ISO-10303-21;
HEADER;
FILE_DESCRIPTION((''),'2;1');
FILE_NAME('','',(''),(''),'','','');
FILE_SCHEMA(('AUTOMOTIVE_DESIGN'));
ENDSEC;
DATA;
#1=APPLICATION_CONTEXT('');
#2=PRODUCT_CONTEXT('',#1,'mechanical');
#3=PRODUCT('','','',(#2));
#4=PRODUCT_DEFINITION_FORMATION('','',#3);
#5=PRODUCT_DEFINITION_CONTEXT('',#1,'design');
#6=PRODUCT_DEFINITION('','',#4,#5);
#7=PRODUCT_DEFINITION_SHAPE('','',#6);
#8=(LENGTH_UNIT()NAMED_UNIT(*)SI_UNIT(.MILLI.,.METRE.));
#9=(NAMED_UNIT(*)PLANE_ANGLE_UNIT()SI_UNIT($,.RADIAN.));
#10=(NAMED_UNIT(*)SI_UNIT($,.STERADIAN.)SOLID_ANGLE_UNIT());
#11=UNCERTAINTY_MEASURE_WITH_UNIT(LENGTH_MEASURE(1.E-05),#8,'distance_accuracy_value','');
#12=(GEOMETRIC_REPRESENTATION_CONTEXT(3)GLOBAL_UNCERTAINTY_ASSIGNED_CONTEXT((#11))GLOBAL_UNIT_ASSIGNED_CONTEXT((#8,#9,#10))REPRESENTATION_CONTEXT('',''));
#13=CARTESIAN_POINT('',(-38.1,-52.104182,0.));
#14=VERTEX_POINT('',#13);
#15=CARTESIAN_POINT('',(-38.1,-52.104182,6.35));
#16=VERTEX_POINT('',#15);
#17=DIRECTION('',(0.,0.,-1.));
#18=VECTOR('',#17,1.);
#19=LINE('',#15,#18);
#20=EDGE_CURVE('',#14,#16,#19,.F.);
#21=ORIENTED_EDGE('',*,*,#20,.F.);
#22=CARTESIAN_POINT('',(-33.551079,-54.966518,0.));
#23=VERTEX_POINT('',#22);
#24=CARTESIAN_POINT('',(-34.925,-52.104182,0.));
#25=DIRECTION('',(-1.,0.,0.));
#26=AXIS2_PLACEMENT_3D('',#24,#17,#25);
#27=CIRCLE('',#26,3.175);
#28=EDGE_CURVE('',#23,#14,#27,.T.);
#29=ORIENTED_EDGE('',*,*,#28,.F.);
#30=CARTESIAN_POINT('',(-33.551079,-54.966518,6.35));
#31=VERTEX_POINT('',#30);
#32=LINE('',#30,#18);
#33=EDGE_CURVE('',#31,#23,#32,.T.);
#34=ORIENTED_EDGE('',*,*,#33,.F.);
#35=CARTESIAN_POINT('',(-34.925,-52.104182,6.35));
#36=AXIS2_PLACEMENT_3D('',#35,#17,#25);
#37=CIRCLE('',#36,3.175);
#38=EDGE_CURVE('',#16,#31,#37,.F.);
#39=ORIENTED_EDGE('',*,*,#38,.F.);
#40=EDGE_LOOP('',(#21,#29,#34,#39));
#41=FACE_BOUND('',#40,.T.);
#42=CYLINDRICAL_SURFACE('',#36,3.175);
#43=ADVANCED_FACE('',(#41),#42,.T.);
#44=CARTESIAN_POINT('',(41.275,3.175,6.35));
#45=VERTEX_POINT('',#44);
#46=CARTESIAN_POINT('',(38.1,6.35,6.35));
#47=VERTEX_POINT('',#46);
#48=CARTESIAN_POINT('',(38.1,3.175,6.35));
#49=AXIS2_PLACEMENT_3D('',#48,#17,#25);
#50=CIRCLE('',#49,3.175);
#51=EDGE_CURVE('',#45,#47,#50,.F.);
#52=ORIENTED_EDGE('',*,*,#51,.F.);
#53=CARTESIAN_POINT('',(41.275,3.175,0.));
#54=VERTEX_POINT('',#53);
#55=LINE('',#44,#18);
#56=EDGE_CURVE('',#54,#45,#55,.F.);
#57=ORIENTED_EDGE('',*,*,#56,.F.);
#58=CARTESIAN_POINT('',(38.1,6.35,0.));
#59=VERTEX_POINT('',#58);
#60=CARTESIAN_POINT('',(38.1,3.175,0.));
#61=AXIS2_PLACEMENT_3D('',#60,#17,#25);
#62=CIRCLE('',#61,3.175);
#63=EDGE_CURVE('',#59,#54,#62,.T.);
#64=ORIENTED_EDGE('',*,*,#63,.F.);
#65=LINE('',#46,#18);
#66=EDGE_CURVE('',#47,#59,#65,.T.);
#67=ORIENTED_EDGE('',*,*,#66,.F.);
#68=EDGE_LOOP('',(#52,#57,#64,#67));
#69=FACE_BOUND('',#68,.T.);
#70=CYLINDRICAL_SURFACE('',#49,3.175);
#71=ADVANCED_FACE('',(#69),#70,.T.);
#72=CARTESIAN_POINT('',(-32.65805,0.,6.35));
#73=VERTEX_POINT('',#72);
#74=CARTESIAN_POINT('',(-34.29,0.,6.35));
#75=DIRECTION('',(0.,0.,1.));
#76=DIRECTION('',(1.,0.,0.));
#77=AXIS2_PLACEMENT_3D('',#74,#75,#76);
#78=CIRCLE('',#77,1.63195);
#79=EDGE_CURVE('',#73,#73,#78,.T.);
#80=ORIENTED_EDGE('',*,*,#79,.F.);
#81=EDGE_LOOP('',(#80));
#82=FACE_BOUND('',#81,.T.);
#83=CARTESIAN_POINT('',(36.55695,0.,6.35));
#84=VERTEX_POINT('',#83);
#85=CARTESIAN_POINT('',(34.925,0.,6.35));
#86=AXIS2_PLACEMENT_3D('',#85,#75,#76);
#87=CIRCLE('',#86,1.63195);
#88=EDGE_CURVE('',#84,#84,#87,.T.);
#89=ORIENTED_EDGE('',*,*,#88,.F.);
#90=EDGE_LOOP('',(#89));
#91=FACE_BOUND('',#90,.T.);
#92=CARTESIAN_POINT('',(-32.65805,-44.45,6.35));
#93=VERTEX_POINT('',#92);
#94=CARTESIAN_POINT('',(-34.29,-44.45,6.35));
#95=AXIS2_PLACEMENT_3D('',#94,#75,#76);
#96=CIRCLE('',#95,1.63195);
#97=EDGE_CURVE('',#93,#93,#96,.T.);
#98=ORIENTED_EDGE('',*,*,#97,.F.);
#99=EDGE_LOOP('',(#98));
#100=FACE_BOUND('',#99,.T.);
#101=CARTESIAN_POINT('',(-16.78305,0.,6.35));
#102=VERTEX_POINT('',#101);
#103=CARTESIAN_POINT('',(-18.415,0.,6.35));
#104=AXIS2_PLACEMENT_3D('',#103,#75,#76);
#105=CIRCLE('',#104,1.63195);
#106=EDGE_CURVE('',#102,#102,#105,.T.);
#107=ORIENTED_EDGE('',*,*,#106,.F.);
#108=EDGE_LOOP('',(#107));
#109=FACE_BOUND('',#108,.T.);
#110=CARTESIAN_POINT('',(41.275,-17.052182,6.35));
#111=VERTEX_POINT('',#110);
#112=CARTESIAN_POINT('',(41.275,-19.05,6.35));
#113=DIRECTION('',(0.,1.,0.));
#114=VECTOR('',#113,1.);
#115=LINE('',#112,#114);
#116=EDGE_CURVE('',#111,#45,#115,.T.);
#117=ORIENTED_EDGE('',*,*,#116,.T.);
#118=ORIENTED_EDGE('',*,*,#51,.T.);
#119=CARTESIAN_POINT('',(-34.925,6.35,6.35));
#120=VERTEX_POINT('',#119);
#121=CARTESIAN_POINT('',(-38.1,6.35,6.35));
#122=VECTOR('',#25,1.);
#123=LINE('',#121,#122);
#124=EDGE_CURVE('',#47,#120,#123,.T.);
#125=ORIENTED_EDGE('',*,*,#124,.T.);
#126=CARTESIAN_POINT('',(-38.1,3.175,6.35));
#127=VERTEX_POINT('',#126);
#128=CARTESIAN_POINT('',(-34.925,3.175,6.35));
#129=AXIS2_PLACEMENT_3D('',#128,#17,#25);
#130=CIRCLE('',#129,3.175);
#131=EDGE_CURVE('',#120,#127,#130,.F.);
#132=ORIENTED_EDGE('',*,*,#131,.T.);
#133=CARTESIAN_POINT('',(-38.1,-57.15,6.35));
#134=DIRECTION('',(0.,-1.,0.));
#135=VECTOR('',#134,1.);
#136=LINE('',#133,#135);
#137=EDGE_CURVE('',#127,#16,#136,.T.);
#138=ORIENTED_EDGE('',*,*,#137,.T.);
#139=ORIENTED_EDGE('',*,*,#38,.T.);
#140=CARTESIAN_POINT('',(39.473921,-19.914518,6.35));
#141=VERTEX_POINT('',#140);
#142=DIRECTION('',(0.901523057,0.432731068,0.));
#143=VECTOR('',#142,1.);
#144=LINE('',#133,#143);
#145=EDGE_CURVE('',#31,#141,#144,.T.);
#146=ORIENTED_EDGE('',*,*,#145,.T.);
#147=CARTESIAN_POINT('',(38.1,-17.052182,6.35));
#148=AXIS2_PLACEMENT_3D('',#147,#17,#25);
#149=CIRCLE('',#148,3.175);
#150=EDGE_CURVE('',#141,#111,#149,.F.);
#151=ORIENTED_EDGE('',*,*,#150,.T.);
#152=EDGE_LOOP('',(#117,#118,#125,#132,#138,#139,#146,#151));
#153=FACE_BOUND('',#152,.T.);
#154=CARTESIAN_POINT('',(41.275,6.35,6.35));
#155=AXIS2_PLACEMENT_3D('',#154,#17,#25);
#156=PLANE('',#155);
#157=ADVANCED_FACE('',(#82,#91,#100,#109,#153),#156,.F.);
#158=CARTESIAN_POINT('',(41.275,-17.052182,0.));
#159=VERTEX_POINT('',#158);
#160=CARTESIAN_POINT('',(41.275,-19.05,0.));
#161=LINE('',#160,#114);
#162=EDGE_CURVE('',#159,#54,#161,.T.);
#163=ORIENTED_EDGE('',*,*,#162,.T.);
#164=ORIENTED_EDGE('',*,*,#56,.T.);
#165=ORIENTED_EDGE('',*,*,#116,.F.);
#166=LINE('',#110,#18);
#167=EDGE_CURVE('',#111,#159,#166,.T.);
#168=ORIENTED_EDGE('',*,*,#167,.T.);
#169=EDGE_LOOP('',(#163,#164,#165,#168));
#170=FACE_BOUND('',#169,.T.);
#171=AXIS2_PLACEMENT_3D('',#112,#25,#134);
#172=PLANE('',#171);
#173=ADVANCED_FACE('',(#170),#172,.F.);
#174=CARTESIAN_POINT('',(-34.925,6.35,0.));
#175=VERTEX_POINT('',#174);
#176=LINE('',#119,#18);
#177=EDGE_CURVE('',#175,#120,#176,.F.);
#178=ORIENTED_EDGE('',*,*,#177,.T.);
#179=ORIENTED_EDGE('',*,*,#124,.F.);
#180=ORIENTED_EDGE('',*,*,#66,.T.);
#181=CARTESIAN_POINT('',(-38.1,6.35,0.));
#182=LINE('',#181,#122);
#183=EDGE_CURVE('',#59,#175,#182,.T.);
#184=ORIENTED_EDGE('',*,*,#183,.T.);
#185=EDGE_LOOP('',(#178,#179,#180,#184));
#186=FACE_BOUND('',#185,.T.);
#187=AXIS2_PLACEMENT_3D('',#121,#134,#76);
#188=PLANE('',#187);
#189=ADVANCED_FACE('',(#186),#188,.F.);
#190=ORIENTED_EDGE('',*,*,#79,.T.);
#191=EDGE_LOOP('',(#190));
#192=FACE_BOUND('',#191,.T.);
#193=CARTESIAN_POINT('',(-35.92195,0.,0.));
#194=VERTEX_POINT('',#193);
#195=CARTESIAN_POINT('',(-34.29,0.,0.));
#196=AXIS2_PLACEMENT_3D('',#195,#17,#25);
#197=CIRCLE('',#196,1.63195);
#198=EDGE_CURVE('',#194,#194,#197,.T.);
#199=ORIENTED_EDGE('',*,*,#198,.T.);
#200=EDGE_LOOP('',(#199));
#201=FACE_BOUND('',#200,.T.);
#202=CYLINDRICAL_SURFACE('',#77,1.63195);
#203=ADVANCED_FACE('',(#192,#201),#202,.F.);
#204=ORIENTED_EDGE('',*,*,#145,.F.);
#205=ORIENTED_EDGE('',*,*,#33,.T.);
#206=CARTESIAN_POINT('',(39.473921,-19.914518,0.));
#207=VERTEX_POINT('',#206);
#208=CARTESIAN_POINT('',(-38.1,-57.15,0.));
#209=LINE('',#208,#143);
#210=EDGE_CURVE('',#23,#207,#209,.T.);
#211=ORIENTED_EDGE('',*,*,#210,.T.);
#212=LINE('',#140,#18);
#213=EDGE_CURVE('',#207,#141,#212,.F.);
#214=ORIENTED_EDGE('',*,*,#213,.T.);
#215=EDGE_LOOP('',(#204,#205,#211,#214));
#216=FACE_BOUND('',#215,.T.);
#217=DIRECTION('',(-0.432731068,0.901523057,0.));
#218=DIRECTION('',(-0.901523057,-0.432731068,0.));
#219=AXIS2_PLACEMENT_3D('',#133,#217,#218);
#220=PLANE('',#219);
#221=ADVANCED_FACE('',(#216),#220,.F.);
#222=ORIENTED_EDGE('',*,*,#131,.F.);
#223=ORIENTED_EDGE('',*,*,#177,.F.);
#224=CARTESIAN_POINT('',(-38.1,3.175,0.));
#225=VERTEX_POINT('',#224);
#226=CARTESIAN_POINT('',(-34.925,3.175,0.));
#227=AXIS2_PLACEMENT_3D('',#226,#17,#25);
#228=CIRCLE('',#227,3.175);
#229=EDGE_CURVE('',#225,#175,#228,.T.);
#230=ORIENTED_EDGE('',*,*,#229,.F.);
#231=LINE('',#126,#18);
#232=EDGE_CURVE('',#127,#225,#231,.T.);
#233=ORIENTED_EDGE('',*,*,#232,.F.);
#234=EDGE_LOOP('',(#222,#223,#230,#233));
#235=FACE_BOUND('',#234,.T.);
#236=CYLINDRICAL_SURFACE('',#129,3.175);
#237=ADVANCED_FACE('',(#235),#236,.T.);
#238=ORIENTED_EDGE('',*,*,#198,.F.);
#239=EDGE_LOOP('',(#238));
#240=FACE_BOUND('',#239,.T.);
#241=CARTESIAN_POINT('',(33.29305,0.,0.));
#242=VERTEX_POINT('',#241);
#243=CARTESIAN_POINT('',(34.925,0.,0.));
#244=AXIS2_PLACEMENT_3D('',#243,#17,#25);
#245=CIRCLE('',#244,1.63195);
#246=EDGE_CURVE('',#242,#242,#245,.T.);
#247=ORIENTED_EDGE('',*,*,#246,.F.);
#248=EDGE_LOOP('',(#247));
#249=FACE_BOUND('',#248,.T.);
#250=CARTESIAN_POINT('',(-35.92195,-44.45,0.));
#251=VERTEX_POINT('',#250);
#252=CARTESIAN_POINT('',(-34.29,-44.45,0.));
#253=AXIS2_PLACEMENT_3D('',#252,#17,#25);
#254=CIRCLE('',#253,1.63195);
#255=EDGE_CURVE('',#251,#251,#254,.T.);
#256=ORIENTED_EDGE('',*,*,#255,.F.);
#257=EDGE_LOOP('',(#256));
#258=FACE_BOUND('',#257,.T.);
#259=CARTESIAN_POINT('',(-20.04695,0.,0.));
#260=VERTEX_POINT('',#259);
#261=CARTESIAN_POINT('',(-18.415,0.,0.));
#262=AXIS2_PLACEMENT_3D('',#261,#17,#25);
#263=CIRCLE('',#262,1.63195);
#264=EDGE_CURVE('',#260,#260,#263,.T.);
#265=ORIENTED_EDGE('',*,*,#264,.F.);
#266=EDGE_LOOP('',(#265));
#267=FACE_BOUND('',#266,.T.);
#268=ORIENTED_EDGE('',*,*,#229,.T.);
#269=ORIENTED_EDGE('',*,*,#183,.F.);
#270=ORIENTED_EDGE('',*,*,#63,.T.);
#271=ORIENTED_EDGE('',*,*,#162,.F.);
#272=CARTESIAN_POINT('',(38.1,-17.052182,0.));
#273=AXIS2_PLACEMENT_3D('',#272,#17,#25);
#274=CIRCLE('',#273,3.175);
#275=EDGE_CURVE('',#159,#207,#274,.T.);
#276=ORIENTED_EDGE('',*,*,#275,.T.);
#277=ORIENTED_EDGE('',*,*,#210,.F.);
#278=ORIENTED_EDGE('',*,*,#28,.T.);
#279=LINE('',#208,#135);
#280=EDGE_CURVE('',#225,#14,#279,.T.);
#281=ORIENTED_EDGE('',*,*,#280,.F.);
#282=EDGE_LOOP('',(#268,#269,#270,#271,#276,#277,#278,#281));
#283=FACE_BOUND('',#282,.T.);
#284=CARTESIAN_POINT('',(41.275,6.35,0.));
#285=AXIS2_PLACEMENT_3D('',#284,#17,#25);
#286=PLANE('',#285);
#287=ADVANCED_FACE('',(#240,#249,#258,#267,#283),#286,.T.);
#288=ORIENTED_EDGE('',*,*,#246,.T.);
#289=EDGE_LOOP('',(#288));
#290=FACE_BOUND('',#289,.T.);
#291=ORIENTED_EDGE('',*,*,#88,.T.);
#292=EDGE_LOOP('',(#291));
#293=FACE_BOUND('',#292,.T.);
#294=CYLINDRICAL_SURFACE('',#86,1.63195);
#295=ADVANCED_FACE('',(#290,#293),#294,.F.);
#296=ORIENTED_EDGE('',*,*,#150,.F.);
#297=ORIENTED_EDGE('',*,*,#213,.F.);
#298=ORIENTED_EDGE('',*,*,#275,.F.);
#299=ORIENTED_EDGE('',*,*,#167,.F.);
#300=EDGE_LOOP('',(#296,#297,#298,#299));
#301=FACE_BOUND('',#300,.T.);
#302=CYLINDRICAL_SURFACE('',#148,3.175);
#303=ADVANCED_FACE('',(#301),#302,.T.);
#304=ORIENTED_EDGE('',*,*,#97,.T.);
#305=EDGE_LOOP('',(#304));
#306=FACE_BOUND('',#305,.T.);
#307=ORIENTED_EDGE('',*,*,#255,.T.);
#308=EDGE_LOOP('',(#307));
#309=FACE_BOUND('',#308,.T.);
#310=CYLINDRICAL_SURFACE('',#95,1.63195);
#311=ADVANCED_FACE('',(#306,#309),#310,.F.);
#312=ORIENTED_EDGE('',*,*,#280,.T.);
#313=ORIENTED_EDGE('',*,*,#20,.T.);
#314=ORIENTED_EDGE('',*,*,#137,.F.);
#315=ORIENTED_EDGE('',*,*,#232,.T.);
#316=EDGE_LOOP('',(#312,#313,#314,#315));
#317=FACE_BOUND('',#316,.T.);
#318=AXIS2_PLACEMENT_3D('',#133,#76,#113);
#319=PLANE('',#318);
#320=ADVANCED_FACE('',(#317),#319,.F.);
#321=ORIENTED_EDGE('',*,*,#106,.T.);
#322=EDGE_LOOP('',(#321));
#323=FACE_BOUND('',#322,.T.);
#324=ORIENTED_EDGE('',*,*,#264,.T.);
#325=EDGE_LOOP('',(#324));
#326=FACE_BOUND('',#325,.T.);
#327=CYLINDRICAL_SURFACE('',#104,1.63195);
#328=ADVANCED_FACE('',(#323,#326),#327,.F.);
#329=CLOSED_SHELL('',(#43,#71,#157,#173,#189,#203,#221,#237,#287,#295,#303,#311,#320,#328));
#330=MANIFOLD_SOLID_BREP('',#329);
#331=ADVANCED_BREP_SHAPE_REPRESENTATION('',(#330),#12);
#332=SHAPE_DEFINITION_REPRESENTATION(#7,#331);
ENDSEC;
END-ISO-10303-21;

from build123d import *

# Parameters (mm, degrees)
BOSS_EXTRUDE1_DEPTH       = 6.35
F_4_CLEARANCE_HOLE1_D     = 3.2639
F_4_CLEARANCE_HOLE1_DEPTH = 12.7
F_4_CLEARANCE_HOLE1_TIP   = 0.980574487
FILLET1_R                 = 3.175


with BuildPart() as part:
    # Sketch1 → Boss-Extrude1 (new body)
    with BuildSketch(Plane.XY):
        Polygon((-38.1, -57.15), (41.275, -19.05), (41.275, 6.35), (-38.1, 6.35), align=None)
    extrude(amount=BOSS_EXTRUDE1_DEPTH)

    # #4 Clearance Hole1
    with Locations(Plane.XY.offset(6.35)):
        with Locations((-34.29, 0), (-18.415, 0), (34.925, 0), (-34.29, -44.45)):
            Hole(F_4_CLEARANCE_HOLE1_D / 2, depth=F_4_CLEARANCE_HOLE1_DEPTH)
            with Locations((0, 0, -(F_4_CLEARANCE_HOLE1_DEPTH + F_4_CLEARANCE_HOLE1_TIP / 2))):  # 118° drill point
                Cone(0, F_4_CLEARANCE_HOLE1_D / 2, F_4_CLEARANCE_HOLE1_TIP, mode=Mode.SUBTRACT)

    # Fillet1
    fillet1_edges = [part.edges().sort_by_distance(p)[0] for p in [
        (41.275, -19.05, 3.175),
        (-38.1, -57.15, 3.175),
        (-38.1, 6.35, 3.175),
        (41.275, 6.35, 3.175),
    ]]
    fillet(fillet1_edges, radius=FILLET1_R)


solid = part.part
